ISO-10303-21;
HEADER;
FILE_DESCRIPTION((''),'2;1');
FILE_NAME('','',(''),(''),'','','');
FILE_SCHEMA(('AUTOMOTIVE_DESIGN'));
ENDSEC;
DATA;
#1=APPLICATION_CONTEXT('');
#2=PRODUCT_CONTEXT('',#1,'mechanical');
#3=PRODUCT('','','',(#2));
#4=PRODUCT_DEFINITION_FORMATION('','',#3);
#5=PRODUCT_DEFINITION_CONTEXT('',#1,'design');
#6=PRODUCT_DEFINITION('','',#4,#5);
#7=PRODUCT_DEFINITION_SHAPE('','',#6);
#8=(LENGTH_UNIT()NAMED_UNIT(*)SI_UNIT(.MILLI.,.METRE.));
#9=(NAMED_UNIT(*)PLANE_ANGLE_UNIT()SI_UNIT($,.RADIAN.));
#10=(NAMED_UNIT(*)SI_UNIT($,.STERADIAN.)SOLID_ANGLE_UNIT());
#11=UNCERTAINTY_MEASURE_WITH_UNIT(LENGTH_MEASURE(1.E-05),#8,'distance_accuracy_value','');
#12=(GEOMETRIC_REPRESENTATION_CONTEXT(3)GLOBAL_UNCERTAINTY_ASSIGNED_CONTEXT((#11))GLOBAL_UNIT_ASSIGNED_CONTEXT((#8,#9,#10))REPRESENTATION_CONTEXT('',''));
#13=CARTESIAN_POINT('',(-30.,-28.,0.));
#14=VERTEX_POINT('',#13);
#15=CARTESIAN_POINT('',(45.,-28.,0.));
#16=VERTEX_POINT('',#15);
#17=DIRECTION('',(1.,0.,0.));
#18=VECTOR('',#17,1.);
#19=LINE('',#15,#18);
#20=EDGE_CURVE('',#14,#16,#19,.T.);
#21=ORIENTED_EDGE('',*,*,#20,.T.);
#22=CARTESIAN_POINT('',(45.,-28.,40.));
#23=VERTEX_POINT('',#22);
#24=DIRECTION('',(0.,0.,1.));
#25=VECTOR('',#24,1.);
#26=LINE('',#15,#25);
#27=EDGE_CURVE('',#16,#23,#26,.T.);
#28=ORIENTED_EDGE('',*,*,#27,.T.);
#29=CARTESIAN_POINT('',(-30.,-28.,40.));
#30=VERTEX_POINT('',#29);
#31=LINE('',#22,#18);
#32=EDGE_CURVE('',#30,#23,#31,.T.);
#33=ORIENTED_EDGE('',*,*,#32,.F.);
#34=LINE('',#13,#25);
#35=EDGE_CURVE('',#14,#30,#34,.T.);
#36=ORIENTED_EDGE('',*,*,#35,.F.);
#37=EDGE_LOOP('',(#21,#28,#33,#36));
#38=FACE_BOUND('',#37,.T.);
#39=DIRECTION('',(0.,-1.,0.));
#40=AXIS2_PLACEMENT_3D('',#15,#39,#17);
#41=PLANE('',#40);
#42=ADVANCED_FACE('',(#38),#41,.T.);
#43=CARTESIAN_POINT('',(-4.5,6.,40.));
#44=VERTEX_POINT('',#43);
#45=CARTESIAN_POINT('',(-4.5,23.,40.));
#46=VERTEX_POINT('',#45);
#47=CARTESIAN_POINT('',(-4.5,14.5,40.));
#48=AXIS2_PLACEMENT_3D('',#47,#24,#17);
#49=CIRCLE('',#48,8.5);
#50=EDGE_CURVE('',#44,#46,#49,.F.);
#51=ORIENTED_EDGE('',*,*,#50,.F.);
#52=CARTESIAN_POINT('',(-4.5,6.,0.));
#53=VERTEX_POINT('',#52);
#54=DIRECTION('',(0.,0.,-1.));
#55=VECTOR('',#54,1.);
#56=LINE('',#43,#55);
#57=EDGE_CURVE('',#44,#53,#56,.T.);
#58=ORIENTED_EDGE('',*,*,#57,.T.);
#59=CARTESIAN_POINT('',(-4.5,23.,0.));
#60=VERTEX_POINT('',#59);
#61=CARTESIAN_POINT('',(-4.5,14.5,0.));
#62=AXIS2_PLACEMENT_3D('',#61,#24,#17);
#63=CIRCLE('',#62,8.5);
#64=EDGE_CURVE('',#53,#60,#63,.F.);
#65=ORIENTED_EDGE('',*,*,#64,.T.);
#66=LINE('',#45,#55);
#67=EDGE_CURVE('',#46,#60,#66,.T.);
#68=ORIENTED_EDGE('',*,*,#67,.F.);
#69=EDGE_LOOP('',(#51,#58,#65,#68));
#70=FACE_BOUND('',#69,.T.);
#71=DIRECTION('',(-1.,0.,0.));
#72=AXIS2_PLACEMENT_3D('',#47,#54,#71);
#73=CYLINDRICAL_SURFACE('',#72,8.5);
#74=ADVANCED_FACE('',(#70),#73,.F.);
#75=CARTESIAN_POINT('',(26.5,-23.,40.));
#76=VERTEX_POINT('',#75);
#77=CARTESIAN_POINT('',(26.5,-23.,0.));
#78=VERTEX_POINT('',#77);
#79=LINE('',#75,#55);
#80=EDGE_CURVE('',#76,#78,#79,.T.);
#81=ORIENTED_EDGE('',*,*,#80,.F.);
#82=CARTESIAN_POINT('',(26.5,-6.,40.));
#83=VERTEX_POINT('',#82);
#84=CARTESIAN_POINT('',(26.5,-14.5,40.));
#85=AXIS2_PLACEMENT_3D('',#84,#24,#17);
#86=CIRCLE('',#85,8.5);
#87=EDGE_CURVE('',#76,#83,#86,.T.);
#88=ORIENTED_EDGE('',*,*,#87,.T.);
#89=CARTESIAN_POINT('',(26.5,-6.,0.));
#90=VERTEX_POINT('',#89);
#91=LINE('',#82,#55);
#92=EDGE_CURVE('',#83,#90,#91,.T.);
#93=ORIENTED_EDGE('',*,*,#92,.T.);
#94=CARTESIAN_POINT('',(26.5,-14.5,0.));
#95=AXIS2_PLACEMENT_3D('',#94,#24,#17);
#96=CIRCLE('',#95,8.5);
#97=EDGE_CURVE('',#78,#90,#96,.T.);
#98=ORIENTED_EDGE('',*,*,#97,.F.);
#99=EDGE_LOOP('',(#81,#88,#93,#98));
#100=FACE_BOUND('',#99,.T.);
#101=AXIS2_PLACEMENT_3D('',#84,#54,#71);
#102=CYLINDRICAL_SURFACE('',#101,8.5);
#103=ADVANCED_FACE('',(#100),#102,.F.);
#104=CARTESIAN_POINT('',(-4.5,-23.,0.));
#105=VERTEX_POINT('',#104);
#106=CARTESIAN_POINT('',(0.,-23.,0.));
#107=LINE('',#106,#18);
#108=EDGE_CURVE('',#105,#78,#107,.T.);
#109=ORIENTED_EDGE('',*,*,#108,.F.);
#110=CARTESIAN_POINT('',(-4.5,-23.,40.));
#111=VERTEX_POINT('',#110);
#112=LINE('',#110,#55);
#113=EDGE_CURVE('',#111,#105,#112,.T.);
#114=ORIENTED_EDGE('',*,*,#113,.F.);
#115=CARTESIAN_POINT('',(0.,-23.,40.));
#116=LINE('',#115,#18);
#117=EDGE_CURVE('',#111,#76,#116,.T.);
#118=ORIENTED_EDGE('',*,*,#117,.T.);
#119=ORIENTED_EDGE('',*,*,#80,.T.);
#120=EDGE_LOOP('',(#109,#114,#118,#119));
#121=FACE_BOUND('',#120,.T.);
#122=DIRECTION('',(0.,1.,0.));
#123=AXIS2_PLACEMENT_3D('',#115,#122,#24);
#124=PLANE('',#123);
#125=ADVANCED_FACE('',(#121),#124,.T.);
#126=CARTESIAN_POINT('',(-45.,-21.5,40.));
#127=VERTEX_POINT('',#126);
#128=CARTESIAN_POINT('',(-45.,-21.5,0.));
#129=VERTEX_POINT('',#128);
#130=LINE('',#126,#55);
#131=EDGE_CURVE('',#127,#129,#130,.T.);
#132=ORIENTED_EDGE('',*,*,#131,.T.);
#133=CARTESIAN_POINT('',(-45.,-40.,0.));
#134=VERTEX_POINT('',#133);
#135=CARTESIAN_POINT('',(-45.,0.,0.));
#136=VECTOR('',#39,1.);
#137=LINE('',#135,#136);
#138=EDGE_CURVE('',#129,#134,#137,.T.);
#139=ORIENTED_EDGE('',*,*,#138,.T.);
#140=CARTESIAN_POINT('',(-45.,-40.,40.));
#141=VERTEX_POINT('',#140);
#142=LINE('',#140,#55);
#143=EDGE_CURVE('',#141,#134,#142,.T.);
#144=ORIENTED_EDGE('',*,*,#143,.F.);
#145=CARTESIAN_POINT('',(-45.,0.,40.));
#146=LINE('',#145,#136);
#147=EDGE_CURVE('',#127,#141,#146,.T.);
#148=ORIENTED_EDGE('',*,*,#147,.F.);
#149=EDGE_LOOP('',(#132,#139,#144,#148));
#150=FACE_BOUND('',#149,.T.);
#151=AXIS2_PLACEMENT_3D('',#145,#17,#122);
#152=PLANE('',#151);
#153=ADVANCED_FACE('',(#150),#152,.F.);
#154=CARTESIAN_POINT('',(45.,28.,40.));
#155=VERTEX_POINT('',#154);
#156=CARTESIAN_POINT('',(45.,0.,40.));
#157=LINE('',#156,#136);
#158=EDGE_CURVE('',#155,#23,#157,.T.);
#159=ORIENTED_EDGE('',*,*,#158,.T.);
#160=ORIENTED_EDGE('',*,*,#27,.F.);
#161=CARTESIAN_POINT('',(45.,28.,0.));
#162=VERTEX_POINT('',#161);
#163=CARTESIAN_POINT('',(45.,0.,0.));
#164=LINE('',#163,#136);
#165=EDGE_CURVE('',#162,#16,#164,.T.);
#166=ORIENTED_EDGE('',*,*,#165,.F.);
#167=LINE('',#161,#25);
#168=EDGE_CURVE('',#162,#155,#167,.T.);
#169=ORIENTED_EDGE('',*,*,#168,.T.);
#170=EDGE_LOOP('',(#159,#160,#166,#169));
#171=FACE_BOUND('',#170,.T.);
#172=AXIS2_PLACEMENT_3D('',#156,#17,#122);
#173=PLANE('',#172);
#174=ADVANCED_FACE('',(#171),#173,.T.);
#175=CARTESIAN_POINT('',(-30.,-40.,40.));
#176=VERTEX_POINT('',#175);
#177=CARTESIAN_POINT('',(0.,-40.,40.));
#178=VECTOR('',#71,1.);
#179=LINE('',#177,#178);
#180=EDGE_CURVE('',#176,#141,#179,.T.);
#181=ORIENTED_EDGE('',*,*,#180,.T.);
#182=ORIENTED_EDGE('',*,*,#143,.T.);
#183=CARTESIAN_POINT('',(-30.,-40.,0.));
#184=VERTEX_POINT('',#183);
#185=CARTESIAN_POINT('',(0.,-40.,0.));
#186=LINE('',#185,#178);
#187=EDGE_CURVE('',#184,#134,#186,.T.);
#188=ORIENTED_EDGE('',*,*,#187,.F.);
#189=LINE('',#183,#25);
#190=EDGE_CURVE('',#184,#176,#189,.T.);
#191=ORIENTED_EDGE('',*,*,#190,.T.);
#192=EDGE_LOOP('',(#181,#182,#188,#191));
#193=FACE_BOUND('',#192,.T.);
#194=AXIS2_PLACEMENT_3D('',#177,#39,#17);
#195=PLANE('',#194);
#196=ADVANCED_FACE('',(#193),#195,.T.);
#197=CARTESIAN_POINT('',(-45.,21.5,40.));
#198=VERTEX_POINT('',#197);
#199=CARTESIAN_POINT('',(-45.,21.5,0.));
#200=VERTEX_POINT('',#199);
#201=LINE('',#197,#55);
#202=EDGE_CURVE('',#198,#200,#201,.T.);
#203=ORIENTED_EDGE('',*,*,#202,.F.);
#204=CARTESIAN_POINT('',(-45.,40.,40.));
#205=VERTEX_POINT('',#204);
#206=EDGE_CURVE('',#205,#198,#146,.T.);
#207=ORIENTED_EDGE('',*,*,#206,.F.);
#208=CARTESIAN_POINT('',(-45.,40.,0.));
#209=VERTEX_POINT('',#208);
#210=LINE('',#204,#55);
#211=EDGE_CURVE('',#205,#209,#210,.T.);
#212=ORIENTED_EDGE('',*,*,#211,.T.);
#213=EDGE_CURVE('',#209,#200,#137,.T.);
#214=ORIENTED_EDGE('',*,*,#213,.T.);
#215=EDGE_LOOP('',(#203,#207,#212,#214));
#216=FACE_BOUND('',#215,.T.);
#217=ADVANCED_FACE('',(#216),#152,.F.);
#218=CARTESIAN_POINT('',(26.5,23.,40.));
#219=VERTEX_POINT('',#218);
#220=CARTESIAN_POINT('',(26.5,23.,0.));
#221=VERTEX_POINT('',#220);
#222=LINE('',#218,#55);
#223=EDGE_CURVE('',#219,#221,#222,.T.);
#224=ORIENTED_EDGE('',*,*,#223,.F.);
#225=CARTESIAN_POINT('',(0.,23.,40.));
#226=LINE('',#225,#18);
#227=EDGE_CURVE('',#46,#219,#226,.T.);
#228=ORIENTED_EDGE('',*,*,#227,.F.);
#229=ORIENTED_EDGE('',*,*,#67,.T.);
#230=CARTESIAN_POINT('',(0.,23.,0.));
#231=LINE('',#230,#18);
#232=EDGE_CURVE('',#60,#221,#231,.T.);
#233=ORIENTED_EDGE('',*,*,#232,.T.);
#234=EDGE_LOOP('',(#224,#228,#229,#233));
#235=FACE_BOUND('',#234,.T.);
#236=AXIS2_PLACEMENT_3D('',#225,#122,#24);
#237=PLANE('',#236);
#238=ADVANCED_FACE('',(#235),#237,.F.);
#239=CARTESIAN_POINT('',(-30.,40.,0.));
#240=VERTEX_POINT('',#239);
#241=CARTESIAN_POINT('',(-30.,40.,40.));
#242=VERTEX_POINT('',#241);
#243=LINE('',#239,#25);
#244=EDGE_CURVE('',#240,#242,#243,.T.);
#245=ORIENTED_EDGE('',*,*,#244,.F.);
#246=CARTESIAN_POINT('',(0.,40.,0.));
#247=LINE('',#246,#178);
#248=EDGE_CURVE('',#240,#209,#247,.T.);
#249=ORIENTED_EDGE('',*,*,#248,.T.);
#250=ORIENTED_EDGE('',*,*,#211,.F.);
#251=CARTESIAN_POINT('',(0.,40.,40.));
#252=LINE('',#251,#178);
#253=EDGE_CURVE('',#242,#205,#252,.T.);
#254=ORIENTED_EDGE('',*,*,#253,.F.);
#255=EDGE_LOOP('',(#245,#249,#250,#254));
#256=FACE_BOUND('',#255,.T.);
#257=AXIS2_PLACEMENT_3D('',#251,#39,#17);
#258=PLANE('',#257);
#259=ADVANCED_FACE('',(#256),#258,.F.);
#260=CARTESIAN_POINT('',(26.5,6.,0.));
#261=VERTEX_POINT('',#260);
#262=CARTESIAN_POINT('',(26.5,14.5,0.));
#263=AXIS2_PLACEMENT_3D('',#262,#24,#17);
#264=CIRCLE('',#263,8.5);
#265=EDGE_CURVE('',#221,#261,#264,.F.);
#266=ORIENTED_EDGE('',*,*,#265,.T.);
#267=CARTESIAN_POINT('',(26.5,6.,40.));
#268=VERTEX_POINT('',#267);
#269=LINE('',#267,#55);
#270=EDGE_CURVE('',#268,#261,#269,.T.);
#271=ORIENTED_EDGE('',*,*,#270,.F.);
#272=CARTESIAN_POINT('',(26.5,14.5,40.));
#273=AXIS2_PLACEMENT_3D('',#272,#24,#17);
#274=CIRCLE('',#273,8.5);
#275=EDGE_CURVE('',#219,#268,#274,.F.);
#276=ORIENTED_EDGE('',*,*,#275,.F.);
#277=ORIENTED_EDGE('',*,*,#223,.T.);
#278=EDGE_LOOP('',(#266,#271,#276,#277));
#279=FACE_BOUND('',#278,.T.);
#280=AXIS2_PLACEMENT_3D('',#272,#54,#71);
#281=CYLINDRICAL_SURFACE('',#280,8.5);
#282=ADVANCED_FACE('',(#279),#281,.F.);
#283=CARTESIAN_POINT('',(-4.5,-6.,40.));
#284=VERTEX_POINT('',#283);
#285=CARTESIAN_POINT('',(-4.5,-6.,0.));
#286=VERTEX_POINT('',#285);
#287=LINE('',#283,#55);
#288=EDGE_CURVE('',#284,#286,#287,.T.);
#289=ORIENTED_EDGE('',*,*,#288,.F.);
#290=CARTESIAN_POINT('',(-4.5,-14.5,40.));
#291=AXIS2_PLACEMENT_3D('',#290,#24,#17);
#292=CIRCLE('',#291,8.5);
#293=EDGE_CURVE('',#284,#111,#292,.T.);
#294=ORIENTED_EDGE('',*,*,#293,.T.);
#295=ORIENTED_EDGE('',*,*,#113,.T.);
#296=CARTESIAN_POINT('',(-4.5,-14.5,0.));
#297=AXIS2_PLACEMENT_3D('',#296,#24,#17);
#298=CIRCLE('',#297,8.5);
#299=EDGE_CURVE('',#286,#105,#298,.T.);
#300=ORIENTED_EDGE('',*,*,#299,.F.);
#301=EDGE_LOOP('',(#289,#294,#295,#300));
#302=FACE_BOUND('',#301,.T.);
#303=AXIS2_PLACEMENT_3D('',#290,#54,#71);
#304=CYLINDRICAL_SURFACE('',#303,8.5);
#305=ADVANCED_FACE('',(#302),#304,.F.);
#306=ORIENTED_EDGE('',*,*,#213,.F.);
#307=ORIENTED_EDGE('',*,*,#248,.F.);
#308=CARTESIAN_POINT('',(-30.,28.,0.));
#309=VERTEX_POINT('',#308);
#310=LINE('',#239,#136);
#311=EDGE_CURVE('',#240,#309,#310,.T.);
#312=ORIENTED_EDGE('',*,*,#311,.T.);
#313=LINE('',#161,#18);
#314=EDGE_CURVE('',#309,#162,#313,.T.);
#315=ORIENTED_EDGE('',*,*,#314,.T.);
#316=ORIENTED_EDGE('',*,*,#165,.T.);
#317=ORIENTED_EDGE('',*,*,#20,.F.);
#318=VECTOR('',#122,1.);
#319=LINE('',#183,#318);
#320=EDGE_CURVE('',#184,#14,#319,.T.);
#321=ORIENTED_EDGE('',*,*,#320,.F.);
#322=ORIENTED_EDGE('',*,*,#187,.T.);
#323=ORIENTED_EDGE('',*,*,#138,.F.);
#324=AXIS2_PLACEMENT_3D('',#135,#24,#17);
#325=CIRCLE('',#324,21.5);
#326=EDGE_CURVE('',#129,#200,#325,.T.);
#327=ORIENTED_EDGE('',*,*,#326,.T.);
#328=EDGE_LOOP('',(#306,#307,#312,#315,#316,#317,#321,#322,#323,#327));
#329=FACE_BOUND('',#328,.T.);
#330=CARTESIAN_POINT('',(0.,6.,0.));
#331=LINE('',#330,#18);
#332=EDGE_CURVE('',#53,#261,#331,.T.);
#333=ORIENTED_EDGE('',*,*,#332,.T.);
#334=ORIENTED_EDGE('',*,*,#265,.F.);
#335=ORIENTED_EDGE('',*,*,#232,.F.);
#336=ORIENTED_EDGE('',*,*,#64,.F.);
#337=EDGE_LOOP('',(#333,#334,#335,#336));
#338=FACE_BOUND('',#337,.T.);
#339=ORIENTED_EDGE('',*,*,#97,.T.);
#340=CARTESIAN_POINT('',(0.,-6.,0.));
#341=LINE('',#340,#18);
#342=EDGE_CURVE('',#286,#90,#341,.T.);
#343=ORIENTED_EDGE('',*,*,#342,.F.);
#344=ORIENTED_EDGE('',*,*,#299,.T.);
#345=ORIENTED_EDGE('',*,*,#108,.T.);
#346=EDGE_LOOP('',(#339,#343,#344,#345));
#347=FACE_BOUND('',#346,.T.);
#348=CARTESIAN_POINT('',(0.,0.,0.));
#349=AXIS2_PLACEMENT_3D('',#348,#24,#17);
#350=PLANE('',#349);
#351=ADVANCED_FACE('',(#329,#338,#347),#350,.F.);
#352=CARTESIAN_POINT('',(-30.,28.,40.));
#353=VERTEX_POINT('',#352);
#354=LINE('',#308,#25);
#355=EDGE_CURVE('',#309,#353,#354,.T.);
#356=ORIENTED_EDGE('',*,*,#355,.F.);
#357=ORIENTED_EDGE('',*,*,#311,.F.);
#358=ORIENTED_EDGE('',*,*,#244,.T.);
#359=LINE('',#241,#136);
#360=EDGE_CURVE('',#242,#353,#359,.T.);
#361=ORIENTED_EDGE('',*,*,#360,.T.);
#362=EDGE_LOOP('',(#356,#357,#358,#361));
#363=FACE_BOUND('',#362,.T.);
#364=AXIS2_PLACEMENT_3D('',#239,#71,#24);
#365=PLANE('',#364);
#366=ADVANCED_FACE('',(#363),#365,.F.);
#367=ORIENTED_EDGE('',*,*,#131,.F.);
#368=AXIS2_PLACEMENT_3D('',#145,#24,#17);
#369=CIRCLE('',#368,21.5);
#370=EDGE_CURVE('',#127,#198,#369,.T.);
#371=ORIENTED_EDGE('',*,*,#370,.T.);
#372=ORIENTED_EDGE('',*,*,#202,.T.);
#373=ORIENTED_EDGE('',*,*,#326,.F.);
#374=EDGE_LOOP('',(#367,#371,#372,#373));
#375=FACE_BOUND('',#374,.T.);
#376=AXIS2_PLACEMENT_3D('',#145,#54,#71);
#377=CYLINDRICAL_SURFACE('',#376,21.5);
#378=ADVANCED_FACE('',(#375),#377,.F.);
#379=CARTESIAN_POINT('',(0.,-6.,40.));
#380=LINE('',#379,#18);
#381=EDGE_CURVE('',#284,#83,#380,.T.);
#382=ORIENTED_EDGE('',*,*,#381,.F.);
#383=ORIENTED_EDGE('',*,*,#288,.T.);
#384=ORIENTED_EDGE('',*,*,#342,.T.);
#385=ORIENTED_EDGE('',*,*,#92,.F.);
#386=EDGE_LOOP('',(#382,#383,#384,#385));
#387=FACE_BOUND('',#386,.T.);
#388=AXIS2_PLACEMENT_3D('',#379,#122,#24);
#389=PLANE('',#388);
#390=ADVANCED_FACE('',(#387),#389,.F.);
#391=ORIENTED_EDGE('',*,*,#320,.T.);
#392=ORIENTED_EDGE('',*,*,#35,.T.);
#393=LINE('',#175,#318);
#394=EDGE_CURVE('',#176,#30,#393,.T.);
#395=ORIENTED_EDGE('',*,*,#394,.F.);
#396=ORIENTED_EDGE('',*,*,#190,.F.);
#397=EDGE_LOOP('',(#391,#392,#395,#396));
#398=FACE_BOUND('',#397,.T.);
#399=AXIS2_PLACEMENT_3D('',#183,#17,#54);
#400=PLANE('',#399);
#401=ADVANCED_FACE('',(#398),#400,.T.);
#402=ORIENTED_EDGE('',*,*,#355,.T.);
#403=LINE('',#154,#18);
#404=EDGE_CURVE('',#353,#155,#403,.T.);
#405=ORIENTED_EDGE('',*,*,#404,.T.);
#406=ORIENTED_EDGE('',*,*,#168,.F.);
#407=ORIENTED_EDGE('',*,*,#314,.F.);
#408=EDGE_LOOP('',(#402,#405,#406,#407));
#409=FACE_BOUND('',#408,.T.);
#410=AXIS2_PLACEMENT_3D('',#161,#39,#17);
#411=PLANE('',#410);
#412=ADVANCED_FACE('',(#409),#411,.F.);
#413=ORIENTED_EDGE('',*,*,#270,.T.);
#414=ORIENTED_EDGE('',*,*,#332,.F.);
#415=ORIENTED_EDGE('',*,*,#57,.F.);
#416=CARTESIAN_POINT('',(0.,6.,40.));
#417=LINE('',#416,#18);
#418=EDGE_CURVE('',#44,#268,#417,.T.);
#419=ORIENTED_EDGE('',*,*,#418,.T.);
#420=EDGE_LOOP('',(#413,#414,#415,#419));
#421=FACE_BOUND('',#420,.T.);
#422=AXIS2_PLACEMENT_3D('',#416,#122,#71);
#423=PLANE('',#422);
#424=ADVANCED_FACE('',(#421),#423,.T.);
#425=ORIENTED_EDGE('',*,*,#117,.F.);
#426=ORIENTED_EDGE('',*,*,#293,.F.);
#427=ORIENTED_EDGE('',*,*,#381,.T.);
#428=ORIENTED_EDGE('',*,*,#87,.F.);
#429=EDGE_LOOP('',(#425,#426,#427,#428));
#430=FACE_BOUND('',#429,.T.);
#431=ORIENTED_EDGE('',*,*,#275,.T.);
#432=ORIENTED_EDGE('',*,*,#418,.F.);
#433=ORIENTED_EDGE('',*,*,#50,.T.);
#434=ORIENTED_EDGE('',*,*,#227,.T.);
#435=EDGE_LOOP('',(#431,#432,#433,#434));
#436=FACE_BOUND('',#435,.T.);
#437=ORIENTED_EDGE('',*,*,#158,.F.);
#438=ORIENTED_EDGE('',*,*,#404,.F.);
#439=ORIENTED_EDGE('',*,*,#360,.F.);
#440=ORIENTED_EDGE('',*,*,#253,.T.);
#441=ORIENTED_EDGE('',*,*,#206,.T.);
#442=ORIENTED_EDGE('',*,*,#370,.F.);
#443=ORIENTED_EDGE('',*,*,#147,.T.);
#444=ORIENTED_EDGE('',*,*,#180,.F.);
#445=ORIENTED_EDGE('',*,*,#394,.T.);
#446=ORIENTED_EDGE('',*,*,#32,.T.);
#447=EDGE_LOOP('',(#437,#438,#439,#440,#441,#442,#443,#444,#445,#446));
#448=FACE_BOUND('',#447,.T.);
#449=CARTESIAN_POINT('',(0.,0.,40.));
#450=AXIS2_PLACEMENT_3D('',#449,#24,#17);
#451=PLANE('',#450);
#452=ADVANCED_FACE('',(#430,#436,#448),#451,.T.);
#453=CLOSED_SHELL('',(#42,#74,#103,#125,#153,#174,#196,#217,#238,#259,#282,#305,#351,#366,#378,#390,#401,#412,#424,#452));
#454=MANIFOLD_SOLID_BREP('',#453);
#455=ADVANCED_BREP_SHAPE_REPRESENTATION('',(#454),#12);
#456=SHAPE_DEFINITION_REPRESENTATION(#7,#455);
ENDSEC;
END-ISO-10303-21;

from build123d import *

# Parameters (mm, degrees)
EXTRUDE_1_DEPTH     = 40
SKETCH_2_W          = 75
SKETCH_2_H          = 12
CUT_EXTRUDE_1_DEPTH = 73.284161474


with BuildPart() as part:
    # Эскиз1 → Бобышка-Вытянуть1 (new body)
    with BuildSketch(Plane.XY):
        with BuildLine():
            Line((45, -40), (45, 40))
            Line((45, 40), (-45, 40))
            Line((-45, 40), (-45, 21.5))
            ThreePointArc((-45, 21.5), (-23.5, 0), (-45, -21.5))
            Line((-45, -21.5), (-45, -40))
            Line((-45, -40), (45, -40))
        make_face()
        with BuildLine():
            ThreePointArc((-4.5, -23), (-13, -14.5), (-4.5, -6))
            Line((-4.5, -6), (26.5, -6))
            ThreePointArc((26.5, -6), (35, -14.5), (26.5, -23))
            Line((26.5, -23), (-4.5, -23))
        make_face(mode=Mode.SUBTRACT)
        with BuildLine():
            Line((26.5, 6), (-4.5, 6))
            ThreePointArc((-4.5, 6), (-13, 14.5), (-4.5, 23))
            Line((-4.5, 23), (26.5, 23))
            ThreePointArc((26.5, 23), (35, 14.5), (26.5, 6))
        make_face(mode=Mode.SUBTRACT)
    extrude(amount=EXTRUDE_1_DEPTH)

    # Эскиз2 → Вырез-Вытянуть1 (cut, through all)
    with BuildSketch(Plane.XY.offset(40)):
        with Locations((7.5, 34)):
            Rectangle(SKETCH_2_W, SKETCH_2_H)
    cut_extrude_1 = extrude(amount=-CUT_EXTRUDE_1_DEPTH, mode=Mode.SUBTRACT)

    # Зеркальное отражение1: Вырез-Вытянуть1 across plane
    add(cut_extrude_1.mirror(Plane.ZX), mode=Mode.SUBTRACT)


solid = part.part
